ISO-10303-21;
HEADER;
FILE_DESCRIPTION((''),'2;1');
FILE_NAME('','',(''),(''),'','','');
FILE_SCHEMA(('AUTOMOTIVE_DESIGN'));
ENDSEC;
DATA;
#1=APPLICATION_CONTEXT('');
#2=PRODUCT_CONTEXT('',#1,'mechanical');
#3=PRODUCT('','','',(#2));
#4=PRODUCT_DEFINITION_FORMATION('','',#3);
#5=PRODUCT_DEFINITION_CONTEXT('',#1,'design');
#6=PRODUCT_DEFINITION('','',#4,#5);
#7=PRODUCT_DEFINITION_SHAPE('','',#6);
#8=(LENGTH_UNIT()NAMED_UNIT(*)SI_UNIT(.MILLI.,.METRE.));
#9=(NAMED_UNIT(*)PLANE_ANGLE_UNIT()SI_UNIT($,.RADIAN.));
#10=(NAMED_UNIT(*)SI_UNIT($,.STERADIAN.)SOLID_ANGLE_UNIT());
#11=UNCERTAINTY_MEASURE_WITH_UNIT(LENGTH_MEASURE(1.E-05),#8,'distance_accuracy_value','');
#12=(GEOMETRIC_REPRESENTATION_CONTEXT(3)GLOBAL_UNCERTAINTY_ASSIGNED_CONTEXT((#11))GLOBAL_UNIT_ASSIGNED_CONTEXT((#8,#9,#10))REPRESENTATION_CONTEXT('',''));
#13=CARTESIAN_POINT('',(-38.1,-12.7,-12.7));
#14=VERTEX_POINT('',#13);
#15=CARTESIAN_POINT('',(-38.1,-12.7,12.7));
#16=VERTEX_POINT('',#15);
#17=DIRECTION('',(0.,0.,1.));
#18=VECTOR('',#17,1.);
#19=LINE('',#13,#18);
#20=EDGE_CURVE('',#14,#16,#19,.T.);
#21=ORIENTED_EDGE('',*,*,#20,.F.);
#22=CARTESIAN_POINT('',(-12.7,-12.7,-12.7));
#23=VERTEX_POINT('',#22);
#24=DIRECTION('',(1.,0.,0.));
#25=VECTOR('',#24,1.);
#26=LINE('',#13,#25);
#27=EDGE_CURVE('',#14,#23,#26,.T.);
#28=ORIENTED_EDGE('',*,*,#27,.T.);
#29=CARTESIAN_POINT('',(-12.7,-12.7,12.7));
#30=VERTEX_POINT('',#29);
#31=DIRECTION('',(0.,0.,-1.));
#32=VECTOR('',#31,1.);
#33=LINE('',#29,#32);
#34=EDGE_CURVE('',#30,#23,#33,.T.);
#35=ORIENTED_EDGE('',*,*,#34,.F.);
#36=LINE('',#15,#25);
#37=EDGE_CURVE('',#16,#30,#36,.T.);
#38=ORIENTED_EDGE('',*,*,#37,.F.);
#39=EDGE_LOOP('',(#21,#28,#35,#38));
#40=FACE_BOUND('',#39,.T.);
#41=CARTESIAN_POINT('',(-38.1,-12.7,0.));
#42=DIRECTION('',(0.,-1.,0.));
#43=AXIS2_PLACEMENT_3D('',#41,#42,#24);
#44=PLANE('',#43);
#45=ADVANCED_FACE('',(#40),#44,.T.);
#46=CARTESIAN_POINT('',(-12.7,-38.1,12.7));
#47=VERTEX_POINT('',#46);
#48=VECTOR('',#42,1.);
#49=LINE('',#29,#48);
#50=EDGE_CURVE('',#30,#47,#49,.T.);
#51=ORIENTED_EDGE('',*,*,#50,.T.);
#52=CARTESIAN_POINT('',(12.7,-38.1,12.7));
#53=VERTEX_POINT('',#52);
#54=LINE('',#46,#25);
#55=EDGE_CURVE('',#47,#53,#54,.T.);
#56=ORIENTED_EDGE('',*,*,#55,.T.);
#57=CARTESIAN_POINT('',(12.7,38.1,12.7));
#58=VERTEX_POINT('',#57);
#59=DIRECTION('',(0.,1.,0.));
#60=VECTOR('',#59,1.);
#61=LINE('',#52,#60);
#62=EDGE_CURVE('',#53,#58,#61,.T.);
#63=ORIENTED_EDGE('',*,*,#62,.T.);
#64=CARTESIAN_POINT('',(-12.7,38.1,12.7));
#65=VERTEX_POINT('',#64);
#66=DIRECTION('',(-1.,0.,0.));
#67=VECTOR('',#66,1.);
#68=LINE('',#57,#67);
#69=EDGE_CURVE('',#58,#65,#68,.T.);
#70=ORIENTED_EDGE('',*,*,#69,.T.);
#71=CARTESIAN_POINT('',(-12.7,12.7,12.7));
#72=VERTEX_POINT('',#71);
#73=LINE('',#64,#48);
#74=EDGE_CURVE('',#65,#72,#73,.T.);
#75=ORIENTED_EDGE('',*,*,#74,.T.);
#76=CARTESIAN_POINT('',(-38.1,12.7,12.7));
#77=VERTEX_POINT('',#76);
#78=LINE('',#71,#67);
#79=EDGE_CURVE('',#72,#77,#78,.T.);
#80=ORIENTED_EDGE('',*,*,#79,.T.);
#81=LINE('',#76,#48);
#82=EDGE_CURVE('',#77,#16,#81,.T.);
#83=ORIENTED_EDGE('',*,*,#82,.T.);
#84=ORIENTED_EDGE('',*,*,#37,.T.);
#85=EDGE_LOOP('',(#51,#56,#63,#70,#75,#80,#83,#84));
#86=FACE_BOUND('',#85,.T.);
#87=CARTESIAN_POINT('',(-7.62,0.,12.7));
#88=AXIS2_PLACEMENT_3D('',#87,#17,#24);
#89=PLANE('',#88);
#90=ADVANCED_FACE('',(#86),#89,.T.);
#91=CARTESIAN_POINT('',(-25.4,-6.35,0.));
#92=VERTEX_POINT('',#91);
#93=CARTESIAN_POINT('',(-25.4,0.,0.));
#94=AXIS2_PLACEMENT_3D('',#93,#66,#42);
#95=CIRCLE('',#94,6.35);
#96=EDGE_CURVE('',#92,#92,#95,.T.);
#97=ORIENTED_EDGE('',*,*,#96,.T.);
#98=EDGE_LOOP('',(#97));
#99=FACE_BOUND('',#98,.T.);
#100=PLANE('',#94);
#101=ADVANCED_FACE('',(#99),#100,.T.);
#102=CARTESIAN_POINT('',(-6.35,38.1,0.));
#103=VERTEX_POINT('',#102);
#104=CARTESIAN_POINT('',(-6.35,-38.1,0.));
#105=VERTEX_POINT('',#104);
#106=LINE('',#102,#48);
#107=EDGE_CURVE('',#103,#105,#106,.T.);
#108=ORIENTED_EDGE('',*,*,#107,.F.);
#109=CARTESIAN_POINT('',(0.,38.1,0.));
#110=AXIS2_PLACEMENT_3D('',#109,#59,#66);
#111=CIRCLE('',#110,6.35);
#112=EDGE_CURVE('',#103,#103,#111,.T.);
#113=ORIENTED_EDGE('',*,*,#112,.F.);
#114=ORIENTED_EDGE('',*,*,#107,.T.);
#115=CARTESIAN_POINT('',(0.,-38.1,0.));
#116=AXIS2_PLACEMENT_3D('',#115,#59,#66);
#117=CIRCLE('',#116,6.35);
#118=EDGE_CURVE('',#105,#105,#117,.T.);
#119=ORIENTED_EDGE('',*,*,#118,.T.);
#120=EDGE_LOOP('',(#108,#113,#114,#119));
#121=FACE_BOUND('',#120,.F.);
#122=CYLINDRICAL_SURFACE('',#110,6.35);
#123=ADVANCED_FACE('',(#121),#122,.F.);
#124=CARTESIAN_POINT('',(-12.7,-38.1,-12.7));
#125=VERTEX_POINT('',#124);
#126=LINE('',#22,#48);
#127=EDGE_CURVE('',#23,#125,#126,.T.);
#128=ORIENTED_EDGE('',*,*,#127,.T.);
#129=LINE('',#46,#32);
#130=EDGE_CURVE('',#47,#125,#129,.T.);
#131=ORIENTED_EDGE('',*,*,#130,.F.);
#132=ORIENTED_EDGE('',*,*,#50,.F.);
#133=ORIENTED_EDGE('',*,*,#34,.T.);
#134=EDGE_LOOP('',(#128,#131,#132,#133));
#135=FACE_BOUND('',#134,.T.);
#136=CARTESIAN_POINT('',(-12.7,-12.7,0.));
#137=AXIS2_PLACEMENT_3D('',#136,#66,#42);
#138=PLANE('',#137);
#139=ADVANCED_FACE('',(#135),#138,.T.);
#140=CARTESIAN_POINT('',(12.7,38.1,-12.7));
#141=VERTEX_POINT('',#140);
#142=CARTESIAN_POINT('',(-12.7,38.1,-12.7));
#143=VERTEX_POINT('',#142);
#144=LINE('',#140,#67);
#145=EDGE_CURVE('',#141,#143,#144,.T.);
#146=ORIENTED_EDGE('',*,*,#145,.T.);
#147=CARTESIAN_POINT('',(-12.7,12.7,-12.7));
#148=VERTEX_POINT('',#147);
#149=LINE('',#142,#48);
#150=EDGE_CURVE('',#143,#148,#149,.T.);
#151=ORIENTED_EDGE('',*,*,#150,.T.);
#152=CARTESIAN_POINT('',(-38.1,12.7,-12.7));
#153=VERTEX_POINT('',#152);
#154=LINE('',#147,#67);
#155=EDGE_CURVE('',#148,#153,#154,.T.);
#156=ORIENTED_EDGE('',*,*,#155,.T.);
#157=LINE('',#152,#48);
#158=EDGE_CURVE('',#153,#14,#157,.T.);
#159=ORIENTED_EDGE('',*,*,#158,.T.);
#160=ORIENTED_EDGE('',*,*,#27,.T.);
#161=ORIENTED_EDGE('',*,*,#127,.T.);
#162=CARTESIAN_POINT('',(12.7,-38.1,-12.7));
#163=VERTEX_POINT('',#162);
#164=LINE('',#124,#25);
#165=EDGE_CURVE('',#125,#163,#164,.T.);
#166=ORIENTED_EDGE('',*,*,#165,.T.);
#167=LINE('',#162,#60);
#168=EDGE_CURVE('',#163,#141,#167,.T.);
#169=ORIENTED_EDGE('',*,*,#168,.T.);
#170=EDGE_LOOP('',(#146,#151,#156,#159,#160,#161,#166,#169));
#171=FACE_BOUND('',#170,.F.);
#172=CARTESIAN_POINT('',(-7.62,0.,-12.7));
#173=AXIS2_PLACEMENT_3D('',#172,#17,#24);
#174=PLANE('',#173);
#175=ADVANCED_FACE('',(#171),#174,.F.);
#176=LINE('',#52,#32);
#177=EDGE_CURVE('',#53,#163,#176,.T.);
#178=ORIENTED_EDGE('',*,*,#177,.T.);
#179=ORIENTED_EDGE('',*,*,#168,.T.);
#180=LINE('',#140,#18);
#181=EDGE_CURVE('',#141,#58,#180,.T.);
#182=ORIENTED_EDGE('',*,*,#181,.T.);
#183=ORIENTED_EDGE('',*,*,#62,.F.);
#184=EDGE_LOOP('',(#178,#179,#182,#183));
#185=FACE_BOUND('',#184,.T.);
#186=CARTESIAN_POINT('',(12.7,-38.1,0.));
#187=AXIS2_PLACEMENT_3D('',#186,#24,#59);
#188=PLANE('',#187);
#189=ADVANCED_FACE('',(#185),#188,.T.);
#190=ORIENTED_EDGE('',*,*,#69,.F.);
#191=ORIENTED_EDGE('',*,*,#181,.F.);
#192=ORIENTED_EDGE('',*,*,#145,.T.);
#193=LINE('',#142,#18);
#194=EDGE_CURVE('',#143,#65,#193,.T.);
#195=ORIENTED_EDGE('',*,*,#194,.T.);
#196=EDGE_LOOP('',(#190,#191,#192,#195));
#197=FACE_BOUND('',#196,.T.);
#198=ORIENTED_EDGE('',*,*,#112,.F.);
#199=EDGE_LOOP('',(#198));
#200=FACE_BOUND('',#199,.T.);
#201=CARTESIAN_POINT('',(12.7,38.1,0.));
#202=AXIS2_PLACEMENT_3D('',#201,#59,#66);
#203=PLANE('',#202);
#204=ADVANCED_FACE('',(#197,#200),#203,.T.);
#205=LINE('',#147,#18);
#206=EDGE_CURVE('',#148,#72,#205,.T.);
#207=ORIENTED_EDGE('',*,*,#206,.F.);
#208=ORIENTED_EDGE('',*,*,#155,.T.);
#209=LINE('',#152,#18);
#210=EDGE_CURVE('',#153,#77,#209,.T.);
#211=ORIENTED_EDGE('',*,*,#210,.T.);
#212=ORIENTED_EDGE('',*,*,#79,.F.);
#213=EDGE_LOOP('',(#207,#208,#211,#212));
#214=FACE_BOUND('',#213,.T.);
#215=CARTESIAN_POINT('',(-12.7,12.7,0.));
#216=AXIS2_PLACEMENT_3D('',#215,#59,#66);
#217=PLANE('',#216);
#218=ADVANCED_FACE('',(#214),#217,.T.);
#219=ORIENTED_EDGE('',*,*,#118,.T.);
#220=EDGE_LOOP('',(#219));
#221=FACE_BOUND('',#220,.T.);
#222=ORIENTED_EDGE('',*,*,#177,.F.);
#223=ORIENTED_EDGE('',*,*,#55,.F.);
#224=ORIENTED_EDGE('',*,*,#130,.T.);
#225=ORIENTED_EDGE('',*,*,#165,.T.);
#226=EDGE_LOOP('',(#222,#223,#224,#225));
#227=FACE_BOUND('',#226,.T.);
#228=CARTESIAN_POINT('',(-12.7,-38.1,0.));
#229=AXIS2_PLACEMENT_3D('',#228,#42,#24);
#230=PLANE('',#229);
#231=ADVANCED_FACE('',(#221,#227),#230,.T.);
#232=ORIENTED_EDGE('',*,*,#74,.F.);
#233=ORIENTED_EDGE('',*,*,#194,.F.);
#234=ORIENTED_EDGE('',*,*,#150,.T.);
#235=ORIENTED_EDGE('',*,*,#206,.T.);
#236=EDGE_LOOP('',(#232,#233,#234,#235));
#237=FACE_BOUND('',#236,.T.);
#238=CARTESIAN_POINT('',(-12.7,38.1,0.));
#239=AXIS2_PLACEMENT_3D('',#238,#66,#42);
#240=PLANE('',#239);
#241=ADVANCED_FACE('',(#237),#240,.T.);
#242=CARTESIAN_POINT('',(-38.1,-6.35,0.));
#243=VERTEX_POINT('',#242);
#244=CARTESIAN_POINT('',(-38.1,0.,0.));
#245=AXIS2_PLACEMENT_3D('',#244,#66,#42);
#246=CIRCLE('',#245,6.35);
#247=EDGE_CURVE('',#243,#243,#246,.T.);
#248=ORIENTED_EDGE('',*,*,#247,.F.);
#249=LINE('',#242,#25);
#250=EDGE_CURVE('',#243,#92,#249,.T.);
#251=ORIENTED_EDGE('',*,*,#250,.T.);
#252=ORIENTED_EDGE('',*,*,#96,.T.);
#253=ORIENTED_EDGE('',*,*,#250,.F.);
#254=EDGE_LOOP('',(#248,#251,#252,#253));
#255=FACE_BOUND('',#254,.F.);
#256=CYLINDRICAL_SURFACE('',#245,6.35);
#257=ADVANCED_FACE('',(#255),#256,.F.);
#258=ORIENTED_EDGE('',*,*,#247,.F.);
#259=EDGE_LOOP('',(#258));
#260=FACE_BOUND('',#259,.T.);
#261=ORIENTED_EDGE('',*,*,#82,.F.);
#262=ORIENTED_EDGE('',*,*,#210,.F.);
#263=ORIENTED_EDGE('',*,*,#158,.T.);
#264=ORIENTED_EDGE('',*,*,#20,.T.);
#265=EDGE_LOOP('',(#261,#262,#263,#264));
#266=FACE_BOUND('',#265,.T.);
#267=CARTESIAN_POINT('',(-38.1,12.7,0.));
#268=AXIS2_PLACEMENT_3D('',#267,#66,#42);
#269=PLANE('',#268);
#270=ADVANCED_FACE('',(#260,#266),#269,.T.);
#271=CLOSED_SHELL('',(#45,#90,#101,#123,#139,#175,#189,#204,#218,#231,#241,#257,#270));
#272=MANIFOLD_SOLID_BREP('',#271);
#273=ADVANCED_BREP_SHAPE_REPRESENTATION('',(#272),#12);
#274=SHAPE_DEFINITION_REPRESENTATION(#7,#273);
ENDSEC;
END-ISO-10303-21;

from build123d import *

# Parameters (mm, degrees)
F1_DEPTH = 12.7
F2_R     = 6.35
F3_DEPTH = 76.201
F4_R     = 6.35
F5_DEPTH = 12.7


with BuildPart() as f1:
    # F0 (on Top) → F1 (new body, symmetric)
    with BuildSketch(Plane.XY):
        Polygon((12.7, -38.1), (12.7, 0), (12.7, 38.1), (-12.7, 38.1), (-12.7, 12.7), (-38.1, 12.7), (-38.1, 0), (-38.1, -12.7), (-12.7, -12.7), (-12.7, -38.1), align=None)
    extrude(amount=F1_DEPTH, both=True)

    # F2 (on face) → F3 (cut, through all)
    with BuildSketch(Plane(origin=(0, 38.1, 0), x_dir=(-1, 0, 0), z_dir=(0, 1, 0))):
        Circle(F2_R)
    extrude(amount=-F3_DEPTH, mode=Mode.SUBTRACT)

    # F4 (on face) → F5 (cut)
    with BuildSketch(Plane(origin=(-38.1, 0, 0), x_dir=(0, -1, 0), z_dir=(-1, 0, 0))):
        Circle(F4_R)
    extrude(amount=-F5_DEPTH, mode=Mode.SUBTRACT)


solid = f1.part
